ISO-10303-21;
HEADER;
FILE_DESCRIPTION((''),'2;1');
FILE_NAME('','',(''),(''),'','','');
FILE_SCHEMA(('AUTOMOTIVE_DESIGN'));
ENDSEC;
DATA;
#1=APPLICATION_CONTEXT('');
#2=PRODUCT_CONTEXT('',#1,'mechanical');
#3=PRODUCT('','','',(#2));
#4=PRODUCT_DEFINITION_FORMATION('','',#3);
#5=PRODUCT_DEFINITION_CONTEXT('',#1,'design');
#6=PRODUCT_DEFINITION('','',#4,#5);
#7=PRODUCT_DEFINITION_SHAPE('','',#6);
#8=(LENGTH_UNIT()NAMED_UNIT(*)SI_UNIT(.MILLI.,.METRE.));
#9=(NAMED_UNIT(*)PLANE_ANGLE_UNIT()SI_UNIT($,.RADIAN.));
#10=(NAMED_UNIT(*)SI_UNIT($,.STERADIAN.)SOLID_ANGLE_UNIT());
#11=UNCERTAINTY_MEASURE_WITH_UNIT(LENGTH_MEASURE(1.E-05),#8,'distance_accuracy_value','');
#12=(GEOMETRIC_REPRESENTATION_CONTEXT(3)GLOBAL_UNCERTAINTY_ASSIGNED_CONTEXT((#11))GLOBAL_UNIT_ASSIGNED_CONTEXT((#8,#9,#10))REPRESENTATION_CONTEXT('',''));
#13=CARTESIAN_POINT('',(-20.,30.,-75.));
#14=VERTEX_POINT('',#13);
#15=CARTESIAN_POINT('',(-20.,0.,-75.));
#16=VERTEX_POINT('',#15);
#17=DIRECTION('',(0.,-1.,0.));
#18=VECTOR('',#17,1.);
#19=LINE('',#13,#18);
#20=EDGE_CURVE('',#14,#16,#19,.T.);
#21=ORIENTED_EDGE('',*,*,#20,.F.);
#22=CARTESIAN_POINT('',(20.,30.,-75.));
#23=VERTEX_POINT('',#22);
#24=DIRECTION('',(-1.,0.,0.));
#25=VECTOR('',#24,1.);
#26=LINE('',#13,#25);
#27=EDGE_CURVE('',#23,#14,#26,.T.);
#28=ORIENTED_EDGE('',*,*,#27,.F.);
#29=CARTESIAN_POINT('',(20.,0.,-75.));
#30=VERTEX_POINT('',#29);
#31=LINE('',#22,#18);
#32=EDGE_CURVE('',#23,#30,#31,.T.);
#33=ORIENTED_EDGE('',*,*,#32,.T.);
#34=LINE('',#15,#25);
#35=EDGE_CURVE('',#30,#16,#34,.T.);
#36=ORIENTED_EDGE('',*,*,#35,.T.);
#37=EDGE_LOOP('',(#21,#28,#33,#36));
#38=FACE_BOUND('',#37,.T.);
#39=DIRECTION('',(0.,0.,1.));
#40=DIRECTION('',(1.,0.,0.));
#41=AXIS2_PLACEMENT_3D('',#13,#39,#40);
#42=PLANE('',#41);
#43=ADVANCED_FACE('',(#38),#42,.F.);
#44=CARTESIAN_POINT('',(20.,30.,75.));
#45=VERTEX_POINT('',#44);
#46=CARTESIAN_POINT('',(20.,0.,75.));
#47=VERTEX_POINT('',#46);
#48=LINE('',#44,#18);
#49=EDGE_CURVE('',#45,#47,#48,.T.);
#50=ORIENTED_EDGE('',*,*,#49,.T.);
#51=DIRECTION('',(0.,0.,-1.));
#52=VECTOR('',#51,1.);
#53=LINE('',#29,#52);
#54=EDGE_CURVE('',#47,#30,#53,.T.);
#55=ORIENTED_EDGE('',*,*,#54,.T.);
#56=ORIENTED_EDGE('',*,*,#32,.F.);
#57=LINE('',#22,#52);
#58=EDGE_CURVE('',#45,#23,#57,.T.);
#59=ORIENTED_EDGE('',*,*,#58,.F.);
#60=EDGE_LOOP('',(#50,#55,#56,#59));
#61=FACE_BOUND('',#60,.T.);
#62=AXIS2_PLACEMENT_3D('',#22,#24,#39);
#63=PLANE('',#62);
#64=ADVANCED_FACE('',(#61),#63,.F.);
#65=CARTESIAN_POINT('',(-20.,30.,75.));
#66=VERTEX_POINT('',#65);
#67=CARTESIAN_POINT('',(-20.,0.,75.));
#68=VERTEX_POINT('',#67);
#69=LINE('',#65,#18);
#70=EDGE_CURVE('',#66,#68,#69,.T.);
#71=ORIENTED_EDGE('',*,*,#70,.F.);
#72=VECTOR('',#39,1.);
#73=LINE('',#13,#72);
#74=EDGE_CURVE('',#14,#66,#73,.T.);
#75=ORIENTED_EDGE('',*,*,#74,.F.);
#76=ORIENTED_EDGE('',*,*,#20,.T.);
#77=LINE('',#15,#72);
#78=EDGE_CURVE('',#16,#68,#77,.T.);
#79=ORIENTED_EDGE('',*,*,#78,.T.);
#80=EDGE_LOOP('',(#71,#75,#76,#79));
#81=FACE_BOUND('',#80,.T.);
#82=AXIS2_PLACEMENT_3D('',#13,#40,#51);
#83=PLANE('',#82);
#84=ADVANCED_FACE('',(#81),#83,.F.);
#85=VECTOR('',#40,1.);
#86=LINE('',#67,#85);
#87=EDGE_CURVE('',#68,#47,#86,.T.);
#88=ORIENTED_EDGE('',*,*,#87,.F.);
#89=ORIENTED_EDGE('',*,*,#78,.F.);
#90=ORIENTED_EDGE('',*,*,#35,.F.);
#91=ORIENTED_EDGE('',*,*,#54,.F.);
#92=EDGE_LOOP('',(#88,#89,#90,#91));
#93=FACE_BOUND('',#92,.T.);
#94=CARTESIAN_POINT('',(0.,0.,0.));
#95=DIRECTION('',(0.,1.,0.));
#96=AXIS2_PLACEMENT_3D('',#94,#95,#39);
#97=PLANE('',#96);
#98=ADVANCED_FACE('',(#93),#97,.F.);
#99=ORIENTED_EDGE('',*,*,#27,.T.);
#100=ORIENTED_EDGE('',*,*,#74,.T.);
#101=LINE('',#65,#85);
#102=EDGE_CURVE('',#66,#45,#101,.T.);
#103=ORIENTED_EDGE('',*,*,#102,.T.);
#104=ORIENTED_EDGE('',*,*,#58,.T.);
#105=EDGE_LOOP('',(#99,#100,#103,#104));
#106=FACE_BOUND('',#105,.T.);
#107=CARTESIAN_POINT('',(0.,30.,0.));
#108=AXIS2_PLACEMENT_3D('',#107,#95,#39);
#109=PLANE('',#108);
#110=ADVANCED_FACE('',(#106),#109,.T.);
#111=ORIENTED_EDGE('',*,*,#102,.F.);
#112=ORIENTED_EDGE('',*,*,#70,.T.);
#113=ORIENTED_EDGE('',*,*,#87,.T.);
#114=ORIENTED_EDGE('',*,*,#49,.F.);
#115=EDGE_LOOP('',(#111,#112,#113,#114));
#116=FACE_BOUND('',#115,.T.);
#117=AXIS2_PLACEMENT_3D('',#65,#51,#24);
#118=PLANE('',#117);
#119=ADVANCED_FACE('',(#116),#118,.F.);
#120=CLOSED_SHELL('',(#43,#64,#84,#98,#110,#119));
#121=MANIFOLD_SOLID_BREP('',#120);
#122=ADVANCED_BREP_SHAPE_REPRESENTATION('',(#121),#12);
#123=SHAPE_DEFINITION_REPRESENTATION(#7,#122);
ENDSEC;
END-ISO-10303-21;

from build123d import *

# Parameters (mm, degrees)
SKETCH_1_W      = 40
SKETCH_1_H      = 150
EXTRUDE_1_DEPTH = 30


with BuildPart() as part:
    # Эскиз1 → Бобышка-Вытянуть1 (new body)
    with BuildSketch(Plane(origin=(0, 0, 0), x_dir=(1, 0, 0), z_dir=(0, 1, 0))):
        Rectangle(SKETCH_1_W, SKETCH_1_H)
    extrude(amount=EXTRUDE_1_DEPTH)


solid = part.part
